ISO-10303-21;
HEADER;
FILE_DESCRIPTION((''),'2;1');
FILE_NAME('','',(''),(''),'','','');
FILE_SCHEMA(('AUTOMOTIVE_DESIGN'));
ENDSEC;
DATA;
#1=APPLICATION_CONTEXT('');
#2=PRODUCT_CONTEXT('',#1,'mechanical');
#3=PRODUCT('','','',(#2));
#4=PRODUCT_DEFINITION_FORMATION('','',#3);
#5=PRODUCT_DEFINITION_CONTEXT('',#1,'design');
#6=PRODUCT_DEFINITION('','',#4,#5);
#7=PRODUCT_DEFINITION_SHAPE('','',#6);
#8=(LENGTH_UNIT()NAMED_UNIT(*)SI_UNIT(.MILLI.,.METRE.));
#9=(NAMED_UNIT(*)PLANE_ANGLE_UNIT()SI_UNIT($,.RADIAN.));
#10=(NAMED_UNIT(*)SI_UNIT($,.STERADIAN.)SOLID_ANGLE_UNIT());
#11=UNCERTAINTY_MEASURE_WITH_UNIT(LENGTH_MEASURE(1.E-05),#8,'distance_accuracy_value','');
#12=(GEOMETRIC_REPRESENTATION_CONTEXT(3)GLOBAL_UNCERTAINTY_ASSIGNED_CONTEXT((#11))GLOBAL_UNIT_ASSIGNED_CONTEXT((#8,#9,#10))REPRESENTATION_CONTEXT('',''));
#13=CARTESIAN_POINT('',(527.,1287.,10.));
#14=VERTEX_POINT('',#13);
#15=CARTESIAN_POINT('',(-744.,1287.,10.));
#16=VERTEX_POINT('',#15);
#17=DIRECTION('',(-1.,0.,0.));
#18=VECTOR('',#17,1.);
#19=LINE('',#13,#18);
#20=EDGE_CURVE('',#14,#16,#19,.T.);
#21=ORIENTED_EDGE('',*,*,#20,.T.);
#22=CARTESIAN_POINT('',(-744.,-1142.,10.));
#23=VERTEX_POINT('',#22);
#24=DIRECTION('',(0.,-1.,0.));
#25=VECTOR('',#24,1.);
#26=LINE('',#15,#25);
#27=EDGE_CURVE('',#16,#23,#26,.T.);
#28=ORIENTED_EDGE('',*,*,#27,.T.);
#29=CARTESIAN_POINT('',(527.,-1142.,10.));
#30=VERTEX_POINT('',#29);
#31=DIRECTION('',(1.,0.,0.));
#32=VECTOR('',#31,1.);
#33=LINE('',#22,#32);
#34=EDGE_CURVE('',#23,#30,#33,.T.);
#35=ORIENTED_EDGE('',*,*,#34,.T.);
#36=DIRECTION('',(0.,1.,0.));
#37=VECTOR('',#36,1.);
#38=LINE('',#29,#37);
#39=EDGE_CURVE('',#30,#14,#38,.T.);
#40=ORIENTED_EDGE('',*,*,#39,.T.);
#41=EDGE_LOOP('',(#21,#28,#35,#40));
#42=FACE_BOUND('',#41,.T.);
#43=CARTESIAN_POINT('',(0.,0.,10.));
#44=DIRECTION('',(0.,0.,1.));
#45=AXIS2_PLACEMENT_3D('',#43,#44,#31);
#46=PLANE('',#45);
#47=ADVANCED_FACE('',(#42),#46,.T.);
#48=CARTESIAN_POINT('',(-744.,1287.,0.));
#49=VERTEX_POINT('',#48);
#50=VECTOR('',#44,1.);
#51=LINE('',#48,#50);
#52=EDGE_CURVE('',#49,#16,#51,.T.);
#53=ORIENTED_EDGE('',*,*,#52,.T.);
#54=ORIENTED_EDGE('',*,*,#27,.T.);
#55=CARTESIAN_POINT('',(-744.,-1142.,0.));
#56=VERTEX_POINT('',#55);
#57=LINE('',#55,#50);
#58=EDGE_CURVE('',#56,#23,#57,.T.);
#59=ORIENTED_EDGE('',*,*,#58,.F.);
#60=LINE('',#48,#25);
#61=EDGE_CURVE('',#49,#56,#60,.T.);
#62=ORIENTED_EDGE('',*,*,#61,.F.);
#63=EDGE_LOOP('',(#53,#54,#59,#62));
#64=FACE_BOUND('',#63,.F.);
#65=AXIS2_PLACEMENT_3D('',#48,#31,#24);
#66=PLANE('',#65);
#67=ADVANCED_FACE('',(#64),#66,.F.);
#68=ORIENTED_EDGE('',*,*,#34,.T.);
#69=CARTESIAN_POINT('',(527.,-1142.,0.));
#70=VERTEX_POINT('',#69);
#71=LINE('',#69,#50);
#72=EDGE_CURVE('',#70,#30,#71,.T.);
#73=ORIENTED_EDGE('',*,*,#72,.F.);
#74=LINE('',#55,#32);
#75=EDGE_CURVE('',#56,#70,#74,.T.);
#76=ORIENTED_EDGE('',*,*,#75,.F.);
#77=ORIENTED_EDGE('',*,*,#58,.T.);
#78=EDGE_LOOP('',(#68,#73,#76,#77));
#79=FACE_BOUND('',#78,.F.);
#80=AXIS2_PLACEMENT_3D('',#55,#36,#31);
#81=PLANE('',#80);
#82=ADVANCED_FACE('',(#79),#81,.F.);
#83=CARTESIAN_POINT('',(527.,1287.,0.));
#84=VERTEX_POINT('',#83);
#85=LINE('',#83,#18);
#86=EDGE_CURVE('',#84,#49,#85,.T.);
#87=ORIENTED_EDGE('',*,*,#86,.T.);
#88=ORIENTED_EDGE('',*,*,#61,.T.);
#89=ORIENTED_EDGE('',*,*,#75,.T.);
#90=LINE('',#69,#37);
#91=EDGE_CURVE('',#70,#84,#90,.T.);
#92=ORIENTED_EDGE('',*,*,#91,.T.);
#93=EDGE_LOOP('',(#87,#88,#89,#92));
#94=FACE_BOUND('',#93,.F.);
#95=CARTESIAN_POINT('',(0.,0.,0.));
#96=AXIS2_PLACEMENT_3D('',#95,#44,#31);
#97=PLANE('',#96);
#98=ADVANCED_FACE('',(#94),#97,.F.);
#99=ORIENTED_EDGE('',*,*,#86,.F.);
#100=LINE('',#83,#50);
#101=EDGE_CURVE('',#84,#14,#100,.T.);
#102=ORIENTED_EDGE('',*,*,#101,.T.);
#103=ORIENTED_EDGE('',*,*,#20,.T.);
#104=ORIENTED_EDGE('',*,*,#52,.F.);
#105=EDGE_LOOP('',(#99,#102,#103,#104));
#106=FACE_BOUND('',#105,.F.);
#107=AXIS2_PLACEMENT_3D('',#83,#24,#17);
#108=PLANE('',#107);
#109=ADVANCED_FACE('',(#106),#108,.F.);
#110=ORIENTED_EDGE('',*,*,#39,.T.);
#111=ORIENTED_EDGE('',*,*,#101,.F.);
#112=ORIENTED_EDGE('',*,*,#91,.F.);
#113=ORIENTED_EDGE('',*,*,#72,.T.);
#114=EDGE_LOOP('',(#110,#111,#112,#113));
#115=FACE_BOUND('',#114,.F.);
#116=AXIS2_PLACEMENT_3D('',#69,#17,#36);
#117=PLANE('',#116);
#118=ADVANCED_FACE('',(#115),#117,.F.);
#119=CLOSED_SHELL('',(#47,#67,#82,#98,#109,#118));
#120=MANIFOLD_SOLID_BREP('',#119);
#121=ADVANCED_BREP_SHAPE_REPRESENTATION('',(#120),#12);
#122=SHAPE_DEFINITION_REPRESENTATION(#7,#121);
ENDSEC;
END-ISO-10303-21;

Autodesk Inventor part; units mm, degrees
ref_plane "YZ Plane" through (0, 0, 0) normal (1, 0, 0) x (0, 1, 0)
ref_plane "XZ Plane" through (0, 0, 0) normal (0, 1, 0) x (-1, 0, 0)
ref_plane "XY Plane" through (0, 0, 0) normal (0, 0, 1) x (1, 0, 0)
ref_plane "Arbeitsebene1" through (0, 0, 0) normal (0, 0, 1) x (1, 0, 0)
sketch "Skizze1" plane through (0, 0, 0) normal (0, 0, 1) x (1, 0, 0)
  line L0 (527, 1287) -> (-744, 1287)
  line L1 (-744, 1287) -> (-744, -1142)
  line L2 (-744, -1142) -> (527, -1142)
  line L3 (527, -1142) -> (527, 1287)
  point P0 (0, 0)
extrude "Extrusion1" add sketch "Skizze1" along normal blind 10
properties part number "boden"
